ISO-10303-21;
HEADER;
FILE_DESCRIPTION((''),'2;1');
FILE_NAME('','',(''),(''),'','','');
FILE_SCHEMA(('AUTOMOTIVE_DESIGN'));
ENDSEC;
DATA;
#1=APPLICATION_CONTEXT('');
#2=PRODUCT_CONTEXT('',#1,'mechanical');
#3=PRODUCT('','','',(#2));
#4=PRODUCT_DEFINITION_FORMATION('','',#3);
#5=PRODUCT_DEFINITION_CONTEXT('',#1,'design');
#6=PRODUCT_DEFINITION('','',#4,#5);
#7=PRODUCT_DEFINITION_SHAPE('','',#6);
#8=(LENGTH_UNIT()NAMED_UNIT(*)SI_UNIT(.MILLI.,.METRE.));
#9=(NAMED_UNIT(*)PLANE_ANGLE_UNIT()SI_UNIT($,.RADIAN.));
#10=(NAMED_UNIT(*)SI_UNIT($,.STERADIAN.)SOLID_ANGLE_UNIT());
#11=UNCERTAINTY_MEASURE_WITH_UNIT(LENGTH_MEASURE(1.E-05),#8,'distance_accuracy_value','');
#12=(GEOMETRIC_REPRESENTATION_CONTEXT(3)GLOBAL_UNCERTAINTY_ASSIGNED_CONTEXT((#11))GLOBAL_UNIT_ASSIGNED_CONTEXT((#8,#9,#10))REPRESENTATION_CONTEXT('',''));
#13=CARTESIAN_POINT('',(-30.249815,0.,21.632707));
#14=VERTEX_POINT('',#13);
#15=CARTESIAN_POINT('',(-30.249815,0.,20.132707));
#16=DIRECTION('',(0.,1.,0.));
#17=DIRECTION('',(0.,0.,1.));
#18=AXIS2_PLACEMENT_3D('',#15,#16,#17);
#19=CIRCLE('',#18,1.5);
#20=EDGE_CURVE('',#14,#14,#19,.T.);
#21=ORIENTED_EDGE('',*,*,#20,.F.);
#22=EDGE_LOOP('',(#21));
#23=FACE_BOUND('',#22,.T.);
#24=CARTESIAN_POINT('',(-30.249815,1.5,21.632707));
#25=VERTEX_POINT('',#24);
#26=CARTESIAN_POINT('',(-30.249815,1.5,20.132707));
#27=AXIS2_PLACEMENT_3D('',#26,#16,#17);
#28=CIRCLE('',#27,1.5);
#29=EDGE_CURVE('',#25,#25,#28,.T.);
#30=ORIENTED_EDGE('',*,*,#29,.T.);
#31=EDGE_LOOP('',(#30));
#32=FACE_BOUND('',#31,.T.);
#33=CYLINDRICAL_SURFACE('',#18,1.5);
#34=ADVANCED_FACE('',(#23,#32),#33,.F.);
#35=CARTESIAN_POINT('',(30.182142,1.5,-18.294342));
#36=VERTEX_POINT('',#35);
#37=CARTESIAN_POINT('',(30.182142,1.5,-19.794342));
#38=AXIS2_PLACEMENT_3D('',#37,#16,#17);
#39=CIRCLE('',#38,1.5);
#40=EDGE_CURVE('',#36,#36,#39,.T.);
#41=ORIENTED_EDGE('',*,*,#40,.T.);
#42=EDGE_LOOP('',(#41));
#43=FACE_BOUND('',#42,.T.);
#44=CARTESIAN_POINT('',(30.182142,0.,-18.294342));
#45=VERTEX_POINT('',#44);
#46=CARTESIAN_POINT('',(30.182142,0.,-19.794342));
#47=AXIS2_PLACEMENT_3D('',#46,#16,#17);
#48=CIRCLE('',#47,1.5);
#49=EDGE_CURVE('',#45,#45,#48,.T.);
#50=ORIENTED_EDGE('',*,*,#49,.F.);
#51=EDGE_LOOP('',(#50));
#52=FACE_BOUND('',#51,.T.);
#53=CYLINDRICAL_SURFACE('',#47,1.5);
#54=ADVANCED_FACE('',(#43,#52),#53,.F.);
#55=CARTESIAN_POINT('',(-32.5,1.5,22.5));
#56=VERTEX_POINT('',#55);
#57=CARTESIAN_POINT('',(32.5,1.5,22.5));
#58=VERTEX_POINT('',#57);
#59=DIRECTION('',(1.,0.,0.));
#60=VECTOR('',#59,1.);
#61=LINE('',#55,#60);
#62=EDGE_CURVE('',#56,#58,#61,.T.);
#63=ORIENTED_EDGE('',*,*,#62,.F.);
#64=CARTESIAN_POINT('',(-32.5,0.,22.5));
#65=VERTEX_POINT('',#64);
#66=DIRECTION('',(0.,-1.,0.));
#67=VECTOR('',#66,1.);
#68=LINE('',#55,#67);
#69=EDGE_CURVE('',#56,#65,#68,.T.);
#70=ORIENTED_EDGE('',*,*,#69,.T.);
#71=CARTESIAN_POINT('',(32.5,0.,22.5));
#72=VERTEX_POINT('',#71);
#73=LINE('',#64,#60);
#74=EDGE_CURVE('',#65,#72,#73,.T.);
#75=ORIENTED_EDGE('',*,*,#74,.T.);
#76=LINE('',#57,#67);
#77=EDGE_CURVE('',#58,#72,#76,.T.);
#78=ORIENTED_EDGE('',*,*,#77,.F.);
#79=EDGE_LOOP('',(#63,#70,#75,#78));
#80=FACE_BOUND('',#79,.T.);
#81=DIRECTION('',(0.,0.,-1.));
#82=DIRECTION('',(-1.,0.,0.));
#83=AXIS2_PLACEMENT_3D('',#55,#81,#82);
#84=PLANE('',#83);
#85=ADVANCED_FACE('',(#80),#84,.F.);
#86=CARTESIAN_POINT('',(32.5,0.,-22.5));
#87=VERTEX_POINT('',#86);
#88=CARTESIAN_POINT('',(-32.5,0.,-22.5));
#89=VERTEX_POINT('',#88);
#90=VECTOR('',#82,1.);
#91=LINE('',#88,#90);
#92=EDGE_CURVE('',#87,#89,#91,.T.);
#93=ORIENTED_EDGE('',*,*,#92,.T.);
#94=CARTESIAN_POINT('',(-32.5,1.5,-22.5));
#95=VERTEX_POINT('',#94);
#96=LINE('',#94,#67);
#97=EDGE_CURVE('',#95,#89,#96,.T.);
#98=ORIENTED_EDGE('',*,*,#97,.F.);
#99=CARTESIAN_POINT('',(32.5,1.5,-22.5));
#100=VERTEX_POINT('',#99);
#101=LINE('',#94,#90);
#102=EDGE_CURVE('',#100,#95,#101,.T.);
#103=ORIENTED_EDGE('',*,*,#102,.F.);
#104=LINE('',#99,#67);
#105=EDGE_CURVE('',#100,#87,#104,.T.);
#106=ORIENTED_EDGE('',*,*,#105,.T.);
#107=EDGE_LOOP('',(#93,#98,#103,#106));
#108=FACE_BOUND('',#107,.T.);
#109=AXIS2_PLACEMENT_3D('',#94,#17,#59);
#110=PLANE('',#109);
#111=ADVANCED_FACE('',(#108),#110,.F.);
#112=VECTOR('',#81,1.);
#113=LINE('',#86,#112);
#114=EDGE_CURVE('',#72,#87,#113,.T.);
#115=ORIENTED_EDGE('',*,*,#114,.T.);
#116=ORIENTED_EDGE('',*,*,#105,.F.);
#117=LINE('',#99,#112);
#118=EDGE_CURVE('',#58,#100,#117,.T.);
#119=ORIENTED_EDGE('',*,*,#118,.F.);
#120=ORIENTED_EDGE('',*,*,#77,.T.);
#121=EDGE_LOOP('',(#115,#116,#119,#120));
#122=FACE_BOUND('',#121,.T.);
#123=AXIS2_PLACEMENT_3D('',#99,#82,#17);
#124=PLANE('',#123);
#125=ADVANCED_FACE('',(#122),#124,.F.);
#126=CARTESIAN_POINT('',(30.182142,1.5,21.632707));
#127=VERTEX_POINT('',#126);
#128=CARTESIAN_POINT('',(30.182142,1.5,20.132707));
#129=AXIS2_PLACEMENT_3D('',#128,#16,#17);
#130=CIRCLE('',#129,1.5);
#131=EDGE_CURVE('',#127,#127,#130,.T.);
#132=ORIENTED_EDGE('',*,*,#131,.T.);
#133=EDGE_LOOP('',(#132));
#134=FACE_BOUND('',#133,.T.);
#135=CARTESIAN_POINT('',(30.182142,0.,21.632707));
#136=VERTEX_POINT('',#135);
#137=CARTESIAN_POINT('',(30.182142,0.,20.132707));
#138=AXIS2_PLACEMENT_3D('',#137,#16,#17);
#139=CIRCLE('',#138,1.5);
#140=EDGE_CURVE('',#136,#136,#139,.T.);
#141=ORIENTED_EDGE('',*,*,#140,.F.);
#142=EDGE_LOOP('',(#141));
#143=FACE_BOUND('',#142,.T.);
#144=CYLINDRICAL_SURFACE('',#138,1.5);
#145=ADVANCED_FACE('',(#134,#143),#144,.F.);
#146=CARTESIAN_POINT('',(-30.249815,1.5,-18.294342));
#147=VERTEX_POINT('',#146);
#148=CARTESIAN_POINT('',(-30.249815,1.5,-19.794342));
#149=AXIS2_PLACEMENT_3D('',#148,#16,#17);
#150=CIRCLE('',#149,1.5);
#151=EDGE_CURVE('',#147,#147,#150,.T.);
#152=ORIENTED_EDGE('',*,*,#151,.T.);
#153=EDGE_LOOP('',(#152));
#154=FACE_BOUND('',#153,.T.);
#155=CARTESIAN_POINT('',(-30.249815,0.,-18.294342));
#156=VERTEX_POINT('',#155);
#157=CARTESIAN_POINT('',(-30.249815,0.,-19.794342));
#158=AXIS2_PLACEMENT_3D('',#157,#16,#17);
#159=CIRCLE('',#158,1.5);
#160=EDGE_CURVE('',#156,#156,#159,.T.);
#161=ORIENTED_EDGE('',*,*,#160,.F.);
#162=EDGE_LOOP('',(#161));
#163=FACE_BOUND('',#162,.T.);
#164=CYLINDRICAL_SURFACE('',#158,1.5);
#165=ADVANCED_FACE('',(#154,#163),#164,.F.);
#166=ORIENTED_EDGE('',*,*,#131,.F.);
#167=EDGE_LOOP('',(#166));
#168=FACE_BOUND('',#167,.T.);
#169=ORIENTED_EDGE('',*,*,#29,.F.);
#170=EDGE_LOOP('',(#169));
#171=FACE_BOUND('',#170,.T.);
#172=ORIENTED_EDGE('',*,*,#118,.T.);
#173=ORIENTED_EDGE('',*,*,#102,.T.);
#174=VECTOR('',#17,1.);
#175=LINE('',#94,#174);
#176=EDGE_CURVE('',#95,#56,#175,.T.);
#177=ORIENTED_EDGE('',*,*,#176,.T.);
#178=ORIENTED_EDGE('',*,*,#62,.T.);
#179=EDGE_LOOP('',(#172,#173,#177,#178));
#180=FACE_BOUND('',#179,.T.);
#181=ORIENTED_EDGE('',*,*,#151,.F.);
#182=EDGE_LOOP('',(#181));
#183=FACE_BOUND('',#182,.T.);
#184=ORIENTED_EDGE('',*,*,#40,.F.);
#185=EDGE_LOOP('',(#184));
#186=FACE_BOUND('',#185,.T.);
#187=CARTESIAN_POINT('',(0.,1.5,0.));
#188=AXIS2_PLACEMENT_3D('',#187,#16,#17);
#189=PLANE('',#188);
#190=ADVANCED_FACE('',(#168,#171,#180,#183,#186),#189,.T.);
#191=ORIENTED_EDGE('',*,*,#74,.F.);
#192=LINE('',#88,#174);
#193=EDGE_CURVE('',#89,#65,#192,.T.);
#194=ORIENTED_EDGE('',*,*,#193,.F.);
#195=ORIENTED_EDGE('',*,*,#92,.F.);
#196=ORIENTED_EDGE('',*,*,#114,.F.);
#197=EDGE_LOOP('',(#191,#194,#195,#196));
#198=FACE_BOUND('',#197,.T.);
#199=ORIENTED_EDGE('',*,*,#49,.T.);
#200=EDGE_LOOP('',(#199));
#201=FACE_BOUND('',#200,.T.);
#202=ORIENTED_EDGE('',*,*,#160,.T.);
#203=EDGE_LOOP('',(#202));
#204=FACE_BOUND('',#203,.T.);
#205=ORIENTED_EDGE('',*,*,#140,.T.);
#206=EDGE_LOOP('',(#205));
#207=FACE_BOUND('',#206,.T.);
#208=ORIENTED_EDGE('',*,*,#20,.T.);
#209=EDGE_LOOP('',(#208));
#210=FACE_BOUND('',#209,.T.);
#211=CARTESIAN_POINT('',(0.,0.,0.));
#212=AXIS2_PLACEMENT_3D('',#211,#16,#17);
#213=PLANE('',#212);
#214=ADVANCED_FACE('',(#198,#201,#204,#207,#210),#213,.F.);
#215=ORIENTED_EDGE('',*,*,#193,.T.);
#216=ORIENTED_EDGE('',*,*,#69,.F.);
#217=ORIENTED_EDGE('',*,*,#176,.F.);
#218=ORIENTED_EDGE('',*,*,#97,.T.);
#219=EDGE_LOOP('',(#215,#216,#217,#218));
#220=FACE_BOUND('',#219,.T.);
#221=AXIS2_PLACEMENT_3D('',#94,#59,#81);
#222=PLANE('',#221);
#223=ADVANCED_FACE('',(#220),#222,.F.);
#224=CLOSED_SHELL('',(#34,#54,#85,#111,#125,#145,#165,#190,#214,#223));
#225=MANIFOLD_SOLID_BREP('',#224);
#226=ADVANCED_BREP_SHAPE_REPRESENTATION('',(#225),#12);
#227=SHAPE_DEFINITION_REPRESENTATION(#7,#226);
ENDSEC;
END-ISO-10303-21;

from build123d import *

# Parameters (mm, degrees)
SKETCH1_W           = 65
SKETCH1_H           = 45
BOSS_EXTRUDE1_DEPTH = 1.5
SKETCH2_R           = 1.5
CUT_EXTRUDE1_DEPTH  = 40.556921013


with BuildPart() as part:
    # Sketch1 → Boss-Extrude1 (new body)
    with BuildSketch(Plane(origin=(0, 0, 0), x_dir=(1, 0, 0), z_dir=(0, 1, 0))):
        Rectangle(SKETCH1_W, SKETCH1_H)
    extrude(amount=BOSS_EXTRUDE1_DEPTH)

    # Sketch2 → Cut-Extrude1 (cut, through all)
    with BuildSketch(Plane(origin=(0, 1.5, 0), x_dir=(1, 0, 0), z_dir=(0, 1, 0))):
        with Locations(Location((-30.249814944, 19.794341993, 0), (0, 0, 270))):
            Circle(SKETCH2_R)
        with Locations(Location((30.18214198, 19.794341993, 0), (0, 0, 270))):
            Circle(SKETCH2_R)
        with Locations(Location((30.18214198, -20.132706814, 0), (0, 0, 270))):
            Circle(SKETCH2_R)
        with Locations(Location((-30.249814944, -20.132706814, 0), (0, 0, 270))):
            Circle(SKETCH2_R)
    extrude(amount=-CUT_EXTRUDE1_DEPTH, mode=Mode.SUBTRACT)


solid = part.part
